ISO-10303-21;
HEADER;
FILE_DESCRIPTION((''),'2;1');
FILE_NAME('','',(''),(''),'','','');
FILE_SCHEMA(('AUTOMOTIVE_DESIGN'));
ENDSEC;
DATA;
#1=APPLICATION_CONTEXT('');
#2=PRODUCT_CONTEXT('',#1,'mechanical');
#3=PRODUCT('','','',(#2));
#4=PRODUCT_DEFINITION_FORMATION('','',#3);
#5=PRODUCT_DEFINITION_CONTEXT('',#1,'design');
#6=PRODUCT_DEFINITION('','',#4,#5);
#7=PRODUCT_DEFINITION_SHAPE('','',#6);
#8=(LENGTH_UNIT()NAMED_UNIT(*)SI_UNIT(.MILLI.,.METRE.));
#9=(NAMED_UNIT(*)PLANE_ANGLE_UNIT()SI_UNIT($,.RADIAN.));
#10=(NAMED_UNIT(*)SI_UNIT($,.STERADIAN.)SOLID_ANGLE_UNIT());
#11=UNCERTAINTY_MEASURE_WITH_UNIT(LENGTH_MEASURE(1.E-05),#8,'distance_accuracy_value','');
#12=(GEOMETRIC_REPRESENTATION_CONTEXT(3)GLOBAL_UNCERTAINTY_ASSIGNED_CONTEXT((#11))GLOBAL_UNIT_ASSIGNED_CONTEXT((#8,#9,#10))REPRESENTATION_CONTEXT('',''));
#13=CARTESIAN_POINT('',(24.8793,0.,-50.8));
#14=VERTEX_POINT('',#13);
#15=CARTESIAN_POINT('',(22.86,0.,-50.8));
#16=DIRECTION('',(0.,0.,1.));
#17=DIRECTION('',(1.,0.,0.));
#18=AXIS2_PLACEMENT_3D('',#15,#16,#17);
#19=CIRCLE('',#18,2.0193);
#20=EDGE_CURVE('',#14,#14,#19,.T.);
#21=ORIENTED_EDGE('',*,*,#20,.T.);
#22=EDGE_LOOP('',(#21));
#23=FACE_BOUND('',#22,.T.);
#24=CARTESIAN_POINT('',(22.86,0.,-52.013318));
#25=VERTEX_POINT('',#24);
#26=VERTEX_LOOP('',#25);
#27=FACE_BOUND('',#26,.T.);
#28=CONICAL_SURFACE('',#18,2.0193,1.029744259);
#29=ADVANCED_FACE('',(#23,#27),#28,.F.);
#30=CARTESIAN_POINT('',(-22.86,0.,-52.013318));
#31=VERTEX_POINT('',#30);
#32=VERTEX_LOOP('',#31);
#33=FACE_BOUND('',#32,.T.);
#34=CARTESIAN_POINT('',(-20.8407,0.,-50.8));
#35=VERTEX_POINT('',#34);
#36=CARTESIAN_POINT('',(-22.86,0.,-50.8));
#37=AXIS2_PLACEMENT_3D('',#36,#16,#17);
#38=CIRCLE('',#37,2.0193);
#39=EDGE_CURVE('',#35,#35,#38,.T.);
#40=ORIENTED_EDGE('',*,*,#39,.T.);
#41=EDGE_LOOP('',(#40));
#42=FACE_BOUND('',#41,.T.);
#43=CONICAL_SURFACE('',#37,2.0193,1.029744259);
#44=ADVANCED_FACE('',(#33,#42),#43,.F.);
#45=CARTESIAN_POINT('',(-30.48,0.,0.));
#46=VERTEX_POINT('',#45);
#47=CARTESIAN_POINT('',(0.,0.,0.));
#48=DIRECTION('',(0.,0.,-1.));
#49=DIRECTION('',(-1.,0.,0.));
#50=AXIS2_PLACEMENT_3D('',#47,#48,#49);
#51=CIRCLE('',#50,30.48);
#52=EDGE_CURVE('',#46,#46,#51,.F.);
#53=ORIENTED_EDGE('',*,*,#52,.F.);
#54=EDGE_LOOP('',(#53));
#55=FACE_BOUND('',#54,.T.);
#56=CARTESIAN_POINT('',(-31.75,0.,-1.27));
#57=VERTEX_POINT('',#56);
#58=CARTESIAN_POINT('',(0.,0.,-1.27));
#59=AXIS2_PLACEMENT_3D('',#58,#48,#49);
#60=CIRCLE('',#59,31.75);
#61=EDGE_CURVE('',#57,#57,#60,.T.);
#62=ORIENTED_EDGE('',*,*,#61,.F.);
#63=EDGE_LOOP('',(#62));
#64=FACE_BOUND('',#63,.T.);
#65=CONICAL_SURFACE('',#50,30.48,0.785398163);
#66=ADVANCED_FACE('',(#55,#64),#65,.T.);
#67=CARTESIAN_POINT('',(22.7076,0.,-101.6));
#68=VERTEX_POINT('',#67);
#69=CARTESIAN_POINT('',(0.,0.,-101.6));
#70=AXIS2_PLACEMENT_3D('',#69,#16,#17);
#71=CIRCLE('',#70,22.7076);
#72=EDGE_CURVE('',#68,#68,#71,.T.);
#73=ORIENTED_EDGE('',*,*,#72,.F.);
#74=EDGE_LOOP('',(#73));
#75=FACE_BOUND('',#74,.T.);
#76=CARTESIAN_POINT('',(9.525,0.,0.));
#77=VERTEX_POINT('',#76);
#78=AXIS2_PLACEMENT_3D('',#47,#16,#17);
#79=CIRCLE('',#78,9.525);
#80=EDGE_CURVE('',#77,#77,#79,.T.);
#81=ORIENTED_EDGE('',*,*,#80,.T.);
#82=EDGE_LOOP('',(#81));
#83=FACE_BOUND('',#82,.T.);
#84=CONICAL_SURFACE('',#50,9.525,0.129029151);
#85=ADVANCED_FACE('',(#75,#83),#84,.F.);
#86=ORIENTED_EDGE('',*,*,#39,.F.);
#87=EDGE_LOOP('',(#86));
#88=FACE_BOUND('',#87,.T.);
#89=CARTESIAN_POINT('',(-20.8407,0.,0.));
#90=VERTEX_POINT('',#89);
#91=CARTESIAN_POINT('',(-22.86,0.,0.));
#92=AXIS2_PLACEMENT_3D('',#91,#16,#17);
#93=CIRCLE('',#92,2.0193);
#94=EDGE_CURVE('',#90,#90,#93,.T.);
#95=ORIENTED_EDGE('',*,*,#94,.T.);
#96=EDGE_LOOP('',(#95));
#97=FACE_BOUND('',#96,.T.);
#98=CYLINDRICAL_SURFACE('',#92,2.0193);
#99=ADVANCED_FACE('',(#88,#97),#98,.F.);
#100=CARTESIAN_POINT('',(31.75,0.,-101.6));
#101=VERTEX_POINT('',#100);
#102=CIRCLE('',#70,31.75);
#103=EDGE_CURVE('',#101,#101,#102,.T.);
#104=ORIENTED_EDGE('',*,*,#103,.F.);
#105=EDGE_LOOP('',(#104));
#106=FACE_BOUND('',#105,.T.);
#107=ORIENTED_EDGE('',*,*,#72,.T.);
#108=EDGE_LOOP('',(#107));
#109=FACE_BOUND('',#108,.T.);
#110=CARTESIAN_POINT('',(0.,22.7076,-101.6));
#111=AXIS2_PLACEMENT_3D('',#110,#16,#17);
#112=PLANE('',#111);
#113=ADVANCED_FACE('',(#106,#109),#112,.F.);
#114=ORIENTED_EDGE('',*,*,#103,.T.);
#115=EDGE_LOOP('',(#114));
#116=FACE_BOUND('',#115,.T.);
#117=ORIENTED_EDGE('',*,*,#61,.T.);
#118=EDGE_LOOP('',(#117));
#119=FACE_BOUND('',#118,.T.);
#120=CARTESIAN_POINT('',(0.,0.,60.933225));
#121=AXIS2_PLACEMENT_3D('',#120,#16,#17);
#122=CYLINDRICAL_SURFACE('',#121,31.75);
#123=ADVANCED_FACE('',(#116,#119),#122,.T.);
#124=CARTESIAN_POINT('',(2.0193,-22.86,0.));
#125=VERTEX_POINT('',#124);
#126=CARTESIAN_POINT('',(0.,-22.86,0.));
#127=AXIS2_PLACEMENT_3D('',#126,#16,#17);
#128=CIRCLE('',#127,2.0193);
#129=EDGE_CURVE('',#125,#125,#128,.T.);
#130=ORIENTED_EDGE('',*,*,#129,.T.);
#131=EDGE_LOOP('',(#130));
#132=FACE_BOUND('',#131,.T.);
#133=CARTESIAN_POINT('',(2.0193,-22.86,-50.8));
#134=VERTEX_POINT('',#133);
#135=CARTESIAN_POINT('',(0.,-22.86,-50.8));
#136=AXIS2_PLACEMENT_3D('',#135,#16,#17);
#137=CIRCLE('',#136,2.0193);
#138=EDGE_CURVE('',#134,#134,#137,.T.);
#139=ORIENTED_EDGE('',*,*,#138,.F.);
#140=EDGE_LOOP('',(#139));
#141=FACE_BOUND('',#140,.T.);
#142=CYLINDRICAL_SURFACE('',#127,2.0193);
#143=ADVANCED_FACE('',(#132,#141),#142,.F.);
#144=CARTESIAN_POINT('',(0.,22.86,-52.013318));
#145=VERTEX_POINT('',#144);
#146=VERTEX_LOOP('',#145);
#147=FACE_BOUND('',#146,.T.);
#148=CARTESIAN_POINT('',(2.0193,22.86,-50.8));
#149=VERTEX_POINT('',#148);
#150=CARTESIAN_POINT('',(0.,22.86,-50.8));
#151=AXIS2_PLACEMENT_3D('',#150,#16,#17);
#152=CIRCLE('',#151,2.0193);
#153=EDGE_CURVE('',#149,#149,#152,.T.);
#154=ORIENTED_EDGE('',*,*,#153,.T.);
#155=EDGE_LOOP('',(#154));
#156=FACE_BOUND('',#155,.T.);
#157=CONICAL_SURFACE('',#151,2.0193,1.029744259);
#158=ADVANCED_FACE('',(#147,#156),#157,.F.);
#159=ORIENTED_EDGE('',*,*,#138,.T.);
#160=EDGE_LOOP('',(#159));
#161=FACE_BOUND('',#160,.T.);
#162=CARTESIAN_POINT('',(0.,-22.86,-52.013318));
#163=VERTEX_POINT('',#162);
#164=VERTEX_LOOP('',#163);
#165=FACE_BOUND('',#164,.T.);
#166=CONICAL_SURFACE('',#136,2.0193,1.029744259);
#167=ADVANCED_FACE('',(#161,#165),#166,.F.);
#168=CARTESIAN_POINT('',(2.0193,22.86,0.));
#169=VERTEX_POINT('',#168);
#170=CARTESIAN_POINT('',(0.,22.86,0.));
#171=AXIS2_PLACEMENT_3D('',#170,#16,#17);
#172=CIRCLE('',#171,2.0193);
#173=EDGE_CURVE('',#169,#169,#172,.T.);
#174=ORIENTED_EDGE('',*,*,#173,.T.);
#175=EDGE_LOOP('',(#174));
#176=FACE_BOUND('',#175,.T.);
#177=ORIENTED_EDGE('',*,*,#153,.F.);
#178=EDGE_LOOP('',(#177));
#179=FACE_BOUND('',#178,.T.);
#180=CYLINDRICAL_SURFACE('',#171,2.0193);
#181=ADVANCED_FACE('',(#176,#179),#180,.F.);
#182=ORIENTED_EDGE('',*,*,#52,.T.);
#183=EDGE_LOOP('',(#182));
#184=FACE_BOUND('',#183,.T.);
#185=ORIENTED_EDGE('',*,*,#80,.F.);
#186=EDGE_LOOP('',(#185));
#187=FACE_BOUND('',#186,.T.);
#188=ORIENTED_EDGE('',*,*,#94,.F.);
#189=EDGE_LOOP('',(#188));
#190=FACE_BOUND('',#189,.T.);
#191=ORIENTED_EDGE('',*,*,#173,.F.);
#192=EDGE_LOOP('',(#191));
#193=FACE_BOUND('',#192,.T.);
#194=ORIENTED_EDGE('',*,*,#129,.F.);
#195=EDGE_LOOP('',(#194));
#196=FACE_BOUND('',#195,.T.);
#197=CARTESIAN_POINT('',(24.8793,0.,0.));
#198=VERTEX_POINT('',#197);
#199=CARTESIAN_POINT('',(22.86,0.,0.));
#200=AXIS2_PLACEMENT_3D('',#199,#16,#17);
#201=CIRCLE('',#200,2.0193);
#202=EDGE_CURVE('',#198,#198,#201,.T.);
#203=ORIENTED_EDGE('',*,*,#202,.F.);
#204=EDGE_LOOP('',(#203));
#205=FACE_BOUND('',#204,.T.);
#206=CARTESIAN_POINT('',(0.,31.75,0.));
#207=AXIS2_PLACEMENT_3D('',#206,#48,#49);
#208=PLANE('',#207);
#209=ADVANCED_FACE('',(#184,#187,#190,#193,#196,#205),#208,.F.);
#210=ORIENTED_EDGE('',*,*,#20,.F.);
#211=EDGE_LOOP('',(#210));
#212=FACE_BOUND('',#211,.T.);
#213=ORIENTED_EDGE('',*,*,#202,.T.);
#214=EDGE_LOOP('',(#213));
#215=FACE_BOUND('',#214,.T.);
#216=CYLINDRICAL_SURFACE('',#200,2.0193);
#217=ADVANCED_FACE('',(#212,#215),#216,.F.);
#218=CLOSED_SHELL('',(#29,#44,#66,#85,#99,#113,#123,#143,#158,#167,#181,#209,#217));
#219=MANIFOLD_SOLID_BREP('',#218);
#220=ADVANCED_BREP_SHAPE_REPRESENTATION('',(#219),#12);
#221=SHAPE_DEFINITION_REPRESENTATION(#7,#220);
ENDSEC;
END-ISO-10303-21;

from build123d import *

# Parameters (mm, degrees)
F_10_32_TAPPED_HOLE1_D     = 4.0386
F_10_32_TAPPED_HOLE1_DEPTH = 50.8
F_10_32_TAPPED_HOLE1_TIP   = 1.213317848
CHAMFER1_SIZE              = 1.27


with BuildPart() as part:
    # Sketch1 → Revolve1 (revolve)
    with BuildSketch(Plane(origin=(0, 0, 0), x_dir=(0, 0, -1), z_dir=(1, 0, 0))):
        Polygon((0, 9.525), (101.6, 22.7076), (101.6, 31.75), (0, 31.75), align=None)
    revolve(axis=Axis((0, 0, 60.933225134), (0, 0, -1)))

    # #10-32 Tapped Hole1
    with Locations(Plane.XY):
        with Locations((0, 22.86), (22.86, 0), (0, -22.86), (-22.86, 0), (0, 0)):
            Hole(F_10_32_TAPPED_HOLE1_D / 2, depth=F_10_32_TAPPED_HOLE1_DEPTH)
            with Locations((0, 0, -(F_10_32_TAPPED_HOLE1_DEPTH + F_10_32_TAPPED_HOLE1_TIP / 2))):  # 118° drill point
                Cone(0, F_10_32_TAPPED_HOLE1_D / 2, F_10_32_TAPPED_HOLE1_TIP, mode=Mode.SUBTRACT)

    # Chamfer1
    chamfer1_edges = [part.edges().sort_by_distance(p)[0] for p in [
        (0, -31.75, 0),
    ]]
    chamfer(chamfer1_edges, length=CHAMFER1_SIZE)


solid = part.part
